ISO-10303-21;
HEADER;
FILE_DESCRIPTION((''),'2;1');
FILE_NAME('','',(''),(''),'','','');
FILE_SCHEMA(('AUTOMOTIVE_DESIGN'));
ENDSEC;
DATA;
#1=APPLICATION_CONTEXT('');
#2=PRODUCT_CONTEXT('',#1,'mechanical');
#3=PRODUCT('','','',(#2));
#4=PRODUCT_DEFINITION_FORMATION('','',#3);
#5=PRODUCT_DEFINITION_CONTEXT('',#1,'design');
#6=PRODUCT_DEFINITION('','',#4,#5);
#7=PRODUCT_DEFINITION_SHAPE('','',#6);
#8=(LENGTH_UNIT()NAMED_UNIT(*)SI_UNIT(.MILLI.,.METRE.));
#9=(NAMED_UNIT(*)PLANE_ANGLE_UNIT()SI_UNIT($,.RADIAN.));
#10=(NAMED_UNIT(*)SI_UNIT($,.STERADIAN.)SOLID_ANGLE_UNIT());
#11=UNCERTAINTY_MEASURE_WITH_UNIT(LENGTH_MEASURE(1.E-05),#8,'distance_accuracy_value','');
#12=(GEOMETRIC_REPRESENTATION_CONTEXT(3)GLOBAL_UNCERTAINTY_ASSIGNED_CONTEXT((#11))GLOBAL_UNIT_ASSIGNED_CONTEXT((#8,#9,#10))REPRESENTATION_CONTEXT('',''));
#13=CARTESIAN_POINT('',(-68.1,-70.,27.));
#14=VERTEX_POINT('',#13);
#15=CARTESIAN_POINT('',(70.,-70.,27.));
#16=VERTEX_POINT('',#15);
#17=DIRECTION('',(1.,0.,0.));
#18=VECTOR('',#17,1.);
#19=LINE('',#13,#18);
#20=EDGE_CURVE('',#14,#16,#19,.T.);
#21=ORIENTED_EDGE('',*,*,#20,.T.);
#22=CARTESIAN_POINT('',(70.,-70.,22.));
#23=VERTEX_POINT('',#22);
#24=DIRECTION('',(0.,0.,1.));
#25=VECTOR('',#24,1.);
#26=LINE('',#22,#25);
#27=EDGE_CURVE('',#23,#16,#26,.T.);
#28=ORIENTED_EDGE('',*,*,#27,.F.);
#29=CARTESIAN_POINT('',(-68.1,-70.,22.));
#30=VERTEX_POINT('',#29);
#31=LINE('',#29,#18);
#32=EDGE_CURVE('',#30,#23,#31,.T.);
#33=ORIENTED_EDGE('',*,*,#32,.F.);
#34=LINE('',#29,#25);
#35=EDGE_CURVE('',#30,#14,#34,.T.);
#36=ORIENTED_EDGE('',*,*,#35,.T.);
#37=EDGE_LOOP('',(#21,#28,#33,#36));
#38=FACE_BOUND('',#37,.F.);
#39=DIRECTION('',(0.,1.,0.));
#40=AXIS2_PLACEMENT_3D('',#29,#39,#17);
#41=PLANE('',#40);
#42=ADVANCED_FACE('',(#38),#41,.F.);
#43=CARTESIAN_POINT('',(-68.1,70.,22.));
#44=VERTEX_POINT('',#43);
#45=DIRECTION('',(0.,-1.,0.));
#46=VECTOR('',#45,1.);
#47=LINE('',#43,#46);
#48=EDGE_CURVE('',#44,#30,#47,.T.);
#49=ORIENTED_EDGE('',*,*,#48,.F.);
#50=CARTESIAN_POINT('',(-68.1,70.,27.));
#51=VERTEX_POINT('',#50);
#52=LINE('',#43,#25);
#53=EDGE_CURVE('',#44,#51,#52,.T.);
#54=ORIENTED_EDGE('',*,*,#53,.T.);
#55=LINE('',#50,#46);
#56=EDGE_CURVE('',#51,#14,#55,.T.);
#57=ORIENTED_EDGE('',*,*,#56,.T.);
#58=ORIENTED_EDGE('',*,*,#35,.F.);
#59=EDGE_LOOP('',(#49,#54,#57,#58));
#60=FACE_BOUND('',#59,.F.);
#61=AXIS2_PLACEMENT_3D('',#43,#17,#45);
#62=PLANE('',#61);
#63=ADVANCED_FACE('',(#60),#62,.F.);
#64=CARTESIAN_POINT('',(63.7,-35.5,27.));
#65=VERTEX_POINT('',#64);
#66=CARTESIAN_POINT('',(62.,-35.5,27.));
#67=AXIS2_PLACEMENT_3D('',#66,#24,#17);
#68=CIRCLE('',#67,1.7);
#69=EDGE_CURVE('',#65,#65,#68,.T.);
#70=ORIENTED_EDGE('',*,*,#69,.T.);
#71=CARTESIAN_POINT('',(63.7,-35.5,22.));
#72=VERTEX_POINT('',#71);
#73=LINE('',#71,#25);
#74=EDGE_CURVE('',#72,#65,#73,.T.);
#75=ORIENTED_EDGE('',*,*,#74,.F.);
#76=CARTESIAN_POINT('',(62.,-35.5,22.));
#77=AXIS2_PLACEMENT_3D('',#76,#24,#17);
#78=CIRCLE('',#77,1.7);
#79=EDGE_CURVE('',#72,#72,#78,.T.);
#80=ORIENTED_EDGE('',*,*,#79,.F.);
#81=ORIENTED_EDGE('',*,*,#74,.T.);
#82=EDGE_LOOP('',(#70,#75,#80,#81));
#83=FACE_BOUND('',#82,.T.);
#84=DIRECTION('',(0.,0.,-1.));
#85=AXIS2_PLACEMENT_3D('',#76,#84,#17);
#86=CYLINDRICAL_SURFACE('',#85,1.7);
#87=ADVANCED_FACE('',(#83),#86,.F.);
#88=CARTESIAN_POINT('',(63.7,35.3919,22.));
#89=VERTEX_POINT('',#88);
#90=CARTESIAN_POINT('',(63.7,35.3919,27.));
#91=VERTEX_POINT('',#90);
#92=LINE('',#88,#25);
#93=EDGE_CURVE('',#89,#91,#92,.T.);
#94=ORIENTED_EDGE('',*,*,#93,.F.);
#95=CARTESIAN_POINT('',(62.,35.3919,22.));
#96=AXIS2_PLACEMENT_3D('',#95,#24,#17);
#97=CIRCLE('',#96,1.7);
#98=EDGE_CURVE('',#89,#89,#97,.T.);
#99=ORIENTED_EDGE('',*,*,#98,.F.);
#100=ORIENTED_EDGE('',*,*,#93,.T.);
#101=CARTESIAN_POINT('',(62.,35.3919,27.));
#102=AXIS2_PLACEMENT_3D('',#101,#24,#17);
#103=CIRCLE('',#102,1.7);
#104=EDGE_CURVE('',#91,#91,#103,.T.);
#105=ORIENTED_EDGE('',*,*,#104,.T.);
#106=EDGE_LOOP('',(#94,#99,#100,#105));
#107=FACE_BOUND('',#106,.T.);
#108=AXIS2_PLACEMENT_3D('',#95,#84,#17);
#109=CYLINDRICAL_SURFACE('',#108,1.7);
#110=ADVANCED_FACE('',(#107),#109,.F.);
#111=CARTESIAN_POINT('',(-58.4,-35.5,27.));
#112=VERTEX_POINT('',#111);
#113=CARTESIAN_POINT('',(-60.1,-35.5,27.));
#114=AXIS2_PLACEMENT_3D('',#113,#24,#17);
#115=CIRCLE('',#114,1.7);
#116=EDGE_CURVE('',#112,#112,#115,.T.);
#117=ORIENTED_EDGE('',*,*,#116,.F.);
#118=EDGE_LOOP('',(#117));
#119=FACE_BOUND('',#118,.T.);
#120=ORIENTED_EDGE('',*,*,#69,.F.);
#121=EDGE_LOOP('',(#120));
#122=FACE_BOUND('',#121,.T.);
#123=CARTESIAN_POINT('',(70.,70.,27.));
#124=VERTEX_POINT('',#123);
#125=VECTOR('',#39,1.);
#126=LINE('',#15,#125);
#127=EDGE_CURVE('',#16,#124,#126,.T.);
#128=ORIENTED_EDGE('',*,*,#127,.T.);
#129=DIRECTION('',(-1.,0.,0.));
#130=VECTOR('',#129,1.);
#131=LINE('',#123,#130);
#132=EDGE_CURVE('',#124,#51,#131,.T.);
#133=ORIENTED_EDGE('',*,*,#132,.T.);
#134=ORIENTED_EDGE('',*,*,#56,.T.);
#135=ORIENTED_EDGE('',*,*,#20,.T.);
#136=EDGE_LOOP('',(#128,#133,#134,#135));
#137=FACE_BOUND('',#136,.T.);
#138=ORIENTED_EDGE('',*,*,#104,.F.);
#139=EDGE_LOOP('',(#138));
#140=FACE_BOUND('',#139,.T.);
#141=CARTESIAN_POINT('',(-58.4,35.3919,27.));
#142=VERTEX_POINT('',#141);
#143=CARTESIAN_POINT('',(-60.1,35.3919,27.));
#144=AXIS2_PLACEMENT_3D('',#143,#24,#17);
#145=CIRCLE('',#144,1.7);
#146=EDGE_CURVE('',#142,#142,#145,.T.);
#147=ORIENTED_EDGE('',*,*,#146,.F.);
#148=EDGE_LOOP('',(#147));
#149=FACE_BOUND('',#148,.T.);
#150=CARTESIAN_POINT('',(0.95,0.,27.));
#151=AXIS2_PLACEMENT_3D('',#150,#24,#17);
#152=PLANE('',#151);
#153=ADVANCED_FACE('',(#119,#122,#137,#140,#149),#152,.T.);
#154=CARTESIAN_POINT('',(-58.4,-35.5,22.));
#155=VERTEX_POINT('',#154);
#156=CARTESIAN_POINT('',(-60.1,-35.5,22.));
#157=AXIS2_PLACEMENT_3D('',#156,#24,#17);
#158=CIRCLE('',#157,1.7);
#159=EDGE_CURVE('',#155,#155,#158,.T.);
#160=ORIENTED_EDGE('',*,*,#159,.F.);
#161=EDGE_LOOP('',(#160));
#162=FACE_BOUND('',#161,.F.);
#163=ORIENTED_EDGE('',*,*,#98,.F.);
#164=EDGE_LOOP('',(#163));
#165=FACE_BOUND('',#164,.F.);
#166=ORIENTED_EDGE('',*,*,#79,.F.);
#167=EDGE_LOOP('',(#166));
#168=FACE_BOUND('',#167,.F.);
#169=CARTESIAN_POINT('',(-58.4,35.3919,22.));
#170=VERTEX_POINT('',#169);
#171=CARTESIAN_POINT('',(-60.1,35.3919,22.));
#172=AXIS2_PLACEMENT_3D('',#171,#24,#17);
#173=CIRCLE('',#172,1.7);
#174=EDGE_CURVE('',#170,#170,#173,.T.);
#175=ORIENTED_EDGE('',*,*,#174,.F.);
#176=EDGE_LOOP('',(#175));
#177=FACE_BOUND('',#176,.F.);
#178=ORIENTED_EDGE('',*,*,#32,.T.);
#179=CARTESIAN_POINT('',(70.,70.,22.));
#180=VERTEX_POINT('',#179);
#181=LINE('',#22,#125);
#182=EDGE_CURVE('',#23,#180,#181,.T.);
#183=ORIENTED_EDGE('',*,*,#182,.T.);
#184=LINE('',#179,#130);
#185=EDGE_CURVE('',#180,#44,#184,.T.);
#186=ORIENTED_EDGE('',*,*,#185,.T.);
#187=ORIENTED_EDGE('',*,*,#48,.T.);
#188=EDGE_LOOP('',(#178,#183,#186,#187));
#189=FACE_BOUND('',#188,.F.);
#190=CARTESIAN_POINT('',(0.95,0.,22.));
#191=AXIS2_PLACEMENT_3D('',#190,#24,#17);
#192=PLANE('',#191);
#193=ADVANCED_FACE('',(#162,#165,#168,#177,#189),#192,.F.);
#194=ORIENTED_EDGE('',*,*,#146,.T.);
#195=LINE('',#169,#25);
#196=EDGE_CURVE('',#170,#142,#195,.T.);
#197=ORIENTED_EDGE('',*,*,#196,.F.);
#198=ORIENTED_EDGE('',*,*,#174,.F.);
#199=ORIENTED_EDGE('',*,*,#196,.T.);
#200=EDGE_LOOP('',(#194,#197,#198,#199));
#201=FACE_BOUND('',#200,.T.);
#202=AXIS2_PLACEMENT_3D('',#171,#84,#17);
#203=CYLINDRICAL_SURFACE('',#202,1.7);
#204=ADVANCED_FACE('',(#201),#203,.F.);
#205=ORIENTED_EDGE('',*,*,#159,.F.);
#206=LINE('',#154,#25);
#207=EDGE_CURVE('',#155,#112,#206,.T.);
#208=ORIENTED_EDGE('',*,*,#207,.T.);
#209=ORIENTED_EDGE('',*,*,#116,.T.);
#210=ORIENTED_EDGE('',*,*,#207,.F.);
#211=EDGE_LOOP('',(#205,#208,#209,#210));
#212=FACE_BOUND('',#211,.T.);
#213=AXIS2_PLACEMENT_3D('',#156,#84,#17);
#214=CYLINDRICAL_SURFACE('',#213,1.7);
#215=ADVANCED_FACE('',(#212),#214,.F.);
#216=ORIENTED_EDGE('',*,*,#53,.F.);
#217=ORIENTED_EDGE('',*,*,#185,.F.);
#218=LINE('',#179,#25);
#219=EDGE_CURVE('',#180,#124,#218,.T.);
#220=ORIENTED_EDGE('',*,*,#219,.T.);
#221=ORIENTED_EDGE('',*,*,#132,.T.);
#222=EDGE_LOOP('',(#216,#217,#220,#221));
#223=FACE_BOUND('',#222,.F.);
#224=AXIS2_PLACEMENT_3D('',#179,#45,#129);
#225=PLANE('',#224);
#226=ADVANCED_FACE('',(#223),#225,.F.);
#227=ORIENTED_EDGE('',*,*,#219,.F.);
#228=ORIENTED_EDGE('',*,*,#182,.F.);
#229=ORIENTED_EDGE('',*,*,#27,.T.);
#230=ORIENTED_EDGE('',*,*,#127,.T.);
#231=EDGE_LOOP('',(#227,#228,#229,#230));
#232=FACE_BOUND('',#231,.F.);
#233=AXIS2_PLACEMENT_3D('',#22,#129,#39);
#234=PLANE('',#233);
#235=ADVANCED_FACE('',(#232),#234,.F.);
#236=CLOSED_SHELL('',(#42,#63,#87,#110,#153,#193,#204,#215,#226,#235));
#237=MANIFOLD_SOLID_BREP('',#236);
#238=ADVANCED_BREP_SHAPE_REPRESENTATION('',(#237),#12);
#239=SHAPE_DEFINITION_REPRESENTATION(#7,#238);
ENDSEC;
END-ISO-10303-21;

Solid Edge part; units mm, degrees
sketch "Sketch1" plane through (0, 0, 22) normal (0, 0, 1) x (1, 0, 0)
  circle A0 centre (62, 35.3919) radius 1.7
  circle A1 centre (62, -35.5) radius 1.7
  circle A2 centre (-60.1, -35.5) radius 1.7
  line L0 (-68.1, -70) -> (70, -70)
  line L1 (70, -70) -> (70, 70)
  line L2 (70, 70) -> (-68.1, 70)
  line L3 (-68.1, 70) -> (-68.1, -70)
  circle A3 centre (-60.1, 35.3919) radius 1.7
  dimension "D1" = 8
  dimension "D2" = 8
  dimension "D3" = 140
  dimension "D4" = 3.4
extrude "ExtrudedProtrusion_1" add sketch "Sketch1" along normal blind 5
properties material "Steel"
